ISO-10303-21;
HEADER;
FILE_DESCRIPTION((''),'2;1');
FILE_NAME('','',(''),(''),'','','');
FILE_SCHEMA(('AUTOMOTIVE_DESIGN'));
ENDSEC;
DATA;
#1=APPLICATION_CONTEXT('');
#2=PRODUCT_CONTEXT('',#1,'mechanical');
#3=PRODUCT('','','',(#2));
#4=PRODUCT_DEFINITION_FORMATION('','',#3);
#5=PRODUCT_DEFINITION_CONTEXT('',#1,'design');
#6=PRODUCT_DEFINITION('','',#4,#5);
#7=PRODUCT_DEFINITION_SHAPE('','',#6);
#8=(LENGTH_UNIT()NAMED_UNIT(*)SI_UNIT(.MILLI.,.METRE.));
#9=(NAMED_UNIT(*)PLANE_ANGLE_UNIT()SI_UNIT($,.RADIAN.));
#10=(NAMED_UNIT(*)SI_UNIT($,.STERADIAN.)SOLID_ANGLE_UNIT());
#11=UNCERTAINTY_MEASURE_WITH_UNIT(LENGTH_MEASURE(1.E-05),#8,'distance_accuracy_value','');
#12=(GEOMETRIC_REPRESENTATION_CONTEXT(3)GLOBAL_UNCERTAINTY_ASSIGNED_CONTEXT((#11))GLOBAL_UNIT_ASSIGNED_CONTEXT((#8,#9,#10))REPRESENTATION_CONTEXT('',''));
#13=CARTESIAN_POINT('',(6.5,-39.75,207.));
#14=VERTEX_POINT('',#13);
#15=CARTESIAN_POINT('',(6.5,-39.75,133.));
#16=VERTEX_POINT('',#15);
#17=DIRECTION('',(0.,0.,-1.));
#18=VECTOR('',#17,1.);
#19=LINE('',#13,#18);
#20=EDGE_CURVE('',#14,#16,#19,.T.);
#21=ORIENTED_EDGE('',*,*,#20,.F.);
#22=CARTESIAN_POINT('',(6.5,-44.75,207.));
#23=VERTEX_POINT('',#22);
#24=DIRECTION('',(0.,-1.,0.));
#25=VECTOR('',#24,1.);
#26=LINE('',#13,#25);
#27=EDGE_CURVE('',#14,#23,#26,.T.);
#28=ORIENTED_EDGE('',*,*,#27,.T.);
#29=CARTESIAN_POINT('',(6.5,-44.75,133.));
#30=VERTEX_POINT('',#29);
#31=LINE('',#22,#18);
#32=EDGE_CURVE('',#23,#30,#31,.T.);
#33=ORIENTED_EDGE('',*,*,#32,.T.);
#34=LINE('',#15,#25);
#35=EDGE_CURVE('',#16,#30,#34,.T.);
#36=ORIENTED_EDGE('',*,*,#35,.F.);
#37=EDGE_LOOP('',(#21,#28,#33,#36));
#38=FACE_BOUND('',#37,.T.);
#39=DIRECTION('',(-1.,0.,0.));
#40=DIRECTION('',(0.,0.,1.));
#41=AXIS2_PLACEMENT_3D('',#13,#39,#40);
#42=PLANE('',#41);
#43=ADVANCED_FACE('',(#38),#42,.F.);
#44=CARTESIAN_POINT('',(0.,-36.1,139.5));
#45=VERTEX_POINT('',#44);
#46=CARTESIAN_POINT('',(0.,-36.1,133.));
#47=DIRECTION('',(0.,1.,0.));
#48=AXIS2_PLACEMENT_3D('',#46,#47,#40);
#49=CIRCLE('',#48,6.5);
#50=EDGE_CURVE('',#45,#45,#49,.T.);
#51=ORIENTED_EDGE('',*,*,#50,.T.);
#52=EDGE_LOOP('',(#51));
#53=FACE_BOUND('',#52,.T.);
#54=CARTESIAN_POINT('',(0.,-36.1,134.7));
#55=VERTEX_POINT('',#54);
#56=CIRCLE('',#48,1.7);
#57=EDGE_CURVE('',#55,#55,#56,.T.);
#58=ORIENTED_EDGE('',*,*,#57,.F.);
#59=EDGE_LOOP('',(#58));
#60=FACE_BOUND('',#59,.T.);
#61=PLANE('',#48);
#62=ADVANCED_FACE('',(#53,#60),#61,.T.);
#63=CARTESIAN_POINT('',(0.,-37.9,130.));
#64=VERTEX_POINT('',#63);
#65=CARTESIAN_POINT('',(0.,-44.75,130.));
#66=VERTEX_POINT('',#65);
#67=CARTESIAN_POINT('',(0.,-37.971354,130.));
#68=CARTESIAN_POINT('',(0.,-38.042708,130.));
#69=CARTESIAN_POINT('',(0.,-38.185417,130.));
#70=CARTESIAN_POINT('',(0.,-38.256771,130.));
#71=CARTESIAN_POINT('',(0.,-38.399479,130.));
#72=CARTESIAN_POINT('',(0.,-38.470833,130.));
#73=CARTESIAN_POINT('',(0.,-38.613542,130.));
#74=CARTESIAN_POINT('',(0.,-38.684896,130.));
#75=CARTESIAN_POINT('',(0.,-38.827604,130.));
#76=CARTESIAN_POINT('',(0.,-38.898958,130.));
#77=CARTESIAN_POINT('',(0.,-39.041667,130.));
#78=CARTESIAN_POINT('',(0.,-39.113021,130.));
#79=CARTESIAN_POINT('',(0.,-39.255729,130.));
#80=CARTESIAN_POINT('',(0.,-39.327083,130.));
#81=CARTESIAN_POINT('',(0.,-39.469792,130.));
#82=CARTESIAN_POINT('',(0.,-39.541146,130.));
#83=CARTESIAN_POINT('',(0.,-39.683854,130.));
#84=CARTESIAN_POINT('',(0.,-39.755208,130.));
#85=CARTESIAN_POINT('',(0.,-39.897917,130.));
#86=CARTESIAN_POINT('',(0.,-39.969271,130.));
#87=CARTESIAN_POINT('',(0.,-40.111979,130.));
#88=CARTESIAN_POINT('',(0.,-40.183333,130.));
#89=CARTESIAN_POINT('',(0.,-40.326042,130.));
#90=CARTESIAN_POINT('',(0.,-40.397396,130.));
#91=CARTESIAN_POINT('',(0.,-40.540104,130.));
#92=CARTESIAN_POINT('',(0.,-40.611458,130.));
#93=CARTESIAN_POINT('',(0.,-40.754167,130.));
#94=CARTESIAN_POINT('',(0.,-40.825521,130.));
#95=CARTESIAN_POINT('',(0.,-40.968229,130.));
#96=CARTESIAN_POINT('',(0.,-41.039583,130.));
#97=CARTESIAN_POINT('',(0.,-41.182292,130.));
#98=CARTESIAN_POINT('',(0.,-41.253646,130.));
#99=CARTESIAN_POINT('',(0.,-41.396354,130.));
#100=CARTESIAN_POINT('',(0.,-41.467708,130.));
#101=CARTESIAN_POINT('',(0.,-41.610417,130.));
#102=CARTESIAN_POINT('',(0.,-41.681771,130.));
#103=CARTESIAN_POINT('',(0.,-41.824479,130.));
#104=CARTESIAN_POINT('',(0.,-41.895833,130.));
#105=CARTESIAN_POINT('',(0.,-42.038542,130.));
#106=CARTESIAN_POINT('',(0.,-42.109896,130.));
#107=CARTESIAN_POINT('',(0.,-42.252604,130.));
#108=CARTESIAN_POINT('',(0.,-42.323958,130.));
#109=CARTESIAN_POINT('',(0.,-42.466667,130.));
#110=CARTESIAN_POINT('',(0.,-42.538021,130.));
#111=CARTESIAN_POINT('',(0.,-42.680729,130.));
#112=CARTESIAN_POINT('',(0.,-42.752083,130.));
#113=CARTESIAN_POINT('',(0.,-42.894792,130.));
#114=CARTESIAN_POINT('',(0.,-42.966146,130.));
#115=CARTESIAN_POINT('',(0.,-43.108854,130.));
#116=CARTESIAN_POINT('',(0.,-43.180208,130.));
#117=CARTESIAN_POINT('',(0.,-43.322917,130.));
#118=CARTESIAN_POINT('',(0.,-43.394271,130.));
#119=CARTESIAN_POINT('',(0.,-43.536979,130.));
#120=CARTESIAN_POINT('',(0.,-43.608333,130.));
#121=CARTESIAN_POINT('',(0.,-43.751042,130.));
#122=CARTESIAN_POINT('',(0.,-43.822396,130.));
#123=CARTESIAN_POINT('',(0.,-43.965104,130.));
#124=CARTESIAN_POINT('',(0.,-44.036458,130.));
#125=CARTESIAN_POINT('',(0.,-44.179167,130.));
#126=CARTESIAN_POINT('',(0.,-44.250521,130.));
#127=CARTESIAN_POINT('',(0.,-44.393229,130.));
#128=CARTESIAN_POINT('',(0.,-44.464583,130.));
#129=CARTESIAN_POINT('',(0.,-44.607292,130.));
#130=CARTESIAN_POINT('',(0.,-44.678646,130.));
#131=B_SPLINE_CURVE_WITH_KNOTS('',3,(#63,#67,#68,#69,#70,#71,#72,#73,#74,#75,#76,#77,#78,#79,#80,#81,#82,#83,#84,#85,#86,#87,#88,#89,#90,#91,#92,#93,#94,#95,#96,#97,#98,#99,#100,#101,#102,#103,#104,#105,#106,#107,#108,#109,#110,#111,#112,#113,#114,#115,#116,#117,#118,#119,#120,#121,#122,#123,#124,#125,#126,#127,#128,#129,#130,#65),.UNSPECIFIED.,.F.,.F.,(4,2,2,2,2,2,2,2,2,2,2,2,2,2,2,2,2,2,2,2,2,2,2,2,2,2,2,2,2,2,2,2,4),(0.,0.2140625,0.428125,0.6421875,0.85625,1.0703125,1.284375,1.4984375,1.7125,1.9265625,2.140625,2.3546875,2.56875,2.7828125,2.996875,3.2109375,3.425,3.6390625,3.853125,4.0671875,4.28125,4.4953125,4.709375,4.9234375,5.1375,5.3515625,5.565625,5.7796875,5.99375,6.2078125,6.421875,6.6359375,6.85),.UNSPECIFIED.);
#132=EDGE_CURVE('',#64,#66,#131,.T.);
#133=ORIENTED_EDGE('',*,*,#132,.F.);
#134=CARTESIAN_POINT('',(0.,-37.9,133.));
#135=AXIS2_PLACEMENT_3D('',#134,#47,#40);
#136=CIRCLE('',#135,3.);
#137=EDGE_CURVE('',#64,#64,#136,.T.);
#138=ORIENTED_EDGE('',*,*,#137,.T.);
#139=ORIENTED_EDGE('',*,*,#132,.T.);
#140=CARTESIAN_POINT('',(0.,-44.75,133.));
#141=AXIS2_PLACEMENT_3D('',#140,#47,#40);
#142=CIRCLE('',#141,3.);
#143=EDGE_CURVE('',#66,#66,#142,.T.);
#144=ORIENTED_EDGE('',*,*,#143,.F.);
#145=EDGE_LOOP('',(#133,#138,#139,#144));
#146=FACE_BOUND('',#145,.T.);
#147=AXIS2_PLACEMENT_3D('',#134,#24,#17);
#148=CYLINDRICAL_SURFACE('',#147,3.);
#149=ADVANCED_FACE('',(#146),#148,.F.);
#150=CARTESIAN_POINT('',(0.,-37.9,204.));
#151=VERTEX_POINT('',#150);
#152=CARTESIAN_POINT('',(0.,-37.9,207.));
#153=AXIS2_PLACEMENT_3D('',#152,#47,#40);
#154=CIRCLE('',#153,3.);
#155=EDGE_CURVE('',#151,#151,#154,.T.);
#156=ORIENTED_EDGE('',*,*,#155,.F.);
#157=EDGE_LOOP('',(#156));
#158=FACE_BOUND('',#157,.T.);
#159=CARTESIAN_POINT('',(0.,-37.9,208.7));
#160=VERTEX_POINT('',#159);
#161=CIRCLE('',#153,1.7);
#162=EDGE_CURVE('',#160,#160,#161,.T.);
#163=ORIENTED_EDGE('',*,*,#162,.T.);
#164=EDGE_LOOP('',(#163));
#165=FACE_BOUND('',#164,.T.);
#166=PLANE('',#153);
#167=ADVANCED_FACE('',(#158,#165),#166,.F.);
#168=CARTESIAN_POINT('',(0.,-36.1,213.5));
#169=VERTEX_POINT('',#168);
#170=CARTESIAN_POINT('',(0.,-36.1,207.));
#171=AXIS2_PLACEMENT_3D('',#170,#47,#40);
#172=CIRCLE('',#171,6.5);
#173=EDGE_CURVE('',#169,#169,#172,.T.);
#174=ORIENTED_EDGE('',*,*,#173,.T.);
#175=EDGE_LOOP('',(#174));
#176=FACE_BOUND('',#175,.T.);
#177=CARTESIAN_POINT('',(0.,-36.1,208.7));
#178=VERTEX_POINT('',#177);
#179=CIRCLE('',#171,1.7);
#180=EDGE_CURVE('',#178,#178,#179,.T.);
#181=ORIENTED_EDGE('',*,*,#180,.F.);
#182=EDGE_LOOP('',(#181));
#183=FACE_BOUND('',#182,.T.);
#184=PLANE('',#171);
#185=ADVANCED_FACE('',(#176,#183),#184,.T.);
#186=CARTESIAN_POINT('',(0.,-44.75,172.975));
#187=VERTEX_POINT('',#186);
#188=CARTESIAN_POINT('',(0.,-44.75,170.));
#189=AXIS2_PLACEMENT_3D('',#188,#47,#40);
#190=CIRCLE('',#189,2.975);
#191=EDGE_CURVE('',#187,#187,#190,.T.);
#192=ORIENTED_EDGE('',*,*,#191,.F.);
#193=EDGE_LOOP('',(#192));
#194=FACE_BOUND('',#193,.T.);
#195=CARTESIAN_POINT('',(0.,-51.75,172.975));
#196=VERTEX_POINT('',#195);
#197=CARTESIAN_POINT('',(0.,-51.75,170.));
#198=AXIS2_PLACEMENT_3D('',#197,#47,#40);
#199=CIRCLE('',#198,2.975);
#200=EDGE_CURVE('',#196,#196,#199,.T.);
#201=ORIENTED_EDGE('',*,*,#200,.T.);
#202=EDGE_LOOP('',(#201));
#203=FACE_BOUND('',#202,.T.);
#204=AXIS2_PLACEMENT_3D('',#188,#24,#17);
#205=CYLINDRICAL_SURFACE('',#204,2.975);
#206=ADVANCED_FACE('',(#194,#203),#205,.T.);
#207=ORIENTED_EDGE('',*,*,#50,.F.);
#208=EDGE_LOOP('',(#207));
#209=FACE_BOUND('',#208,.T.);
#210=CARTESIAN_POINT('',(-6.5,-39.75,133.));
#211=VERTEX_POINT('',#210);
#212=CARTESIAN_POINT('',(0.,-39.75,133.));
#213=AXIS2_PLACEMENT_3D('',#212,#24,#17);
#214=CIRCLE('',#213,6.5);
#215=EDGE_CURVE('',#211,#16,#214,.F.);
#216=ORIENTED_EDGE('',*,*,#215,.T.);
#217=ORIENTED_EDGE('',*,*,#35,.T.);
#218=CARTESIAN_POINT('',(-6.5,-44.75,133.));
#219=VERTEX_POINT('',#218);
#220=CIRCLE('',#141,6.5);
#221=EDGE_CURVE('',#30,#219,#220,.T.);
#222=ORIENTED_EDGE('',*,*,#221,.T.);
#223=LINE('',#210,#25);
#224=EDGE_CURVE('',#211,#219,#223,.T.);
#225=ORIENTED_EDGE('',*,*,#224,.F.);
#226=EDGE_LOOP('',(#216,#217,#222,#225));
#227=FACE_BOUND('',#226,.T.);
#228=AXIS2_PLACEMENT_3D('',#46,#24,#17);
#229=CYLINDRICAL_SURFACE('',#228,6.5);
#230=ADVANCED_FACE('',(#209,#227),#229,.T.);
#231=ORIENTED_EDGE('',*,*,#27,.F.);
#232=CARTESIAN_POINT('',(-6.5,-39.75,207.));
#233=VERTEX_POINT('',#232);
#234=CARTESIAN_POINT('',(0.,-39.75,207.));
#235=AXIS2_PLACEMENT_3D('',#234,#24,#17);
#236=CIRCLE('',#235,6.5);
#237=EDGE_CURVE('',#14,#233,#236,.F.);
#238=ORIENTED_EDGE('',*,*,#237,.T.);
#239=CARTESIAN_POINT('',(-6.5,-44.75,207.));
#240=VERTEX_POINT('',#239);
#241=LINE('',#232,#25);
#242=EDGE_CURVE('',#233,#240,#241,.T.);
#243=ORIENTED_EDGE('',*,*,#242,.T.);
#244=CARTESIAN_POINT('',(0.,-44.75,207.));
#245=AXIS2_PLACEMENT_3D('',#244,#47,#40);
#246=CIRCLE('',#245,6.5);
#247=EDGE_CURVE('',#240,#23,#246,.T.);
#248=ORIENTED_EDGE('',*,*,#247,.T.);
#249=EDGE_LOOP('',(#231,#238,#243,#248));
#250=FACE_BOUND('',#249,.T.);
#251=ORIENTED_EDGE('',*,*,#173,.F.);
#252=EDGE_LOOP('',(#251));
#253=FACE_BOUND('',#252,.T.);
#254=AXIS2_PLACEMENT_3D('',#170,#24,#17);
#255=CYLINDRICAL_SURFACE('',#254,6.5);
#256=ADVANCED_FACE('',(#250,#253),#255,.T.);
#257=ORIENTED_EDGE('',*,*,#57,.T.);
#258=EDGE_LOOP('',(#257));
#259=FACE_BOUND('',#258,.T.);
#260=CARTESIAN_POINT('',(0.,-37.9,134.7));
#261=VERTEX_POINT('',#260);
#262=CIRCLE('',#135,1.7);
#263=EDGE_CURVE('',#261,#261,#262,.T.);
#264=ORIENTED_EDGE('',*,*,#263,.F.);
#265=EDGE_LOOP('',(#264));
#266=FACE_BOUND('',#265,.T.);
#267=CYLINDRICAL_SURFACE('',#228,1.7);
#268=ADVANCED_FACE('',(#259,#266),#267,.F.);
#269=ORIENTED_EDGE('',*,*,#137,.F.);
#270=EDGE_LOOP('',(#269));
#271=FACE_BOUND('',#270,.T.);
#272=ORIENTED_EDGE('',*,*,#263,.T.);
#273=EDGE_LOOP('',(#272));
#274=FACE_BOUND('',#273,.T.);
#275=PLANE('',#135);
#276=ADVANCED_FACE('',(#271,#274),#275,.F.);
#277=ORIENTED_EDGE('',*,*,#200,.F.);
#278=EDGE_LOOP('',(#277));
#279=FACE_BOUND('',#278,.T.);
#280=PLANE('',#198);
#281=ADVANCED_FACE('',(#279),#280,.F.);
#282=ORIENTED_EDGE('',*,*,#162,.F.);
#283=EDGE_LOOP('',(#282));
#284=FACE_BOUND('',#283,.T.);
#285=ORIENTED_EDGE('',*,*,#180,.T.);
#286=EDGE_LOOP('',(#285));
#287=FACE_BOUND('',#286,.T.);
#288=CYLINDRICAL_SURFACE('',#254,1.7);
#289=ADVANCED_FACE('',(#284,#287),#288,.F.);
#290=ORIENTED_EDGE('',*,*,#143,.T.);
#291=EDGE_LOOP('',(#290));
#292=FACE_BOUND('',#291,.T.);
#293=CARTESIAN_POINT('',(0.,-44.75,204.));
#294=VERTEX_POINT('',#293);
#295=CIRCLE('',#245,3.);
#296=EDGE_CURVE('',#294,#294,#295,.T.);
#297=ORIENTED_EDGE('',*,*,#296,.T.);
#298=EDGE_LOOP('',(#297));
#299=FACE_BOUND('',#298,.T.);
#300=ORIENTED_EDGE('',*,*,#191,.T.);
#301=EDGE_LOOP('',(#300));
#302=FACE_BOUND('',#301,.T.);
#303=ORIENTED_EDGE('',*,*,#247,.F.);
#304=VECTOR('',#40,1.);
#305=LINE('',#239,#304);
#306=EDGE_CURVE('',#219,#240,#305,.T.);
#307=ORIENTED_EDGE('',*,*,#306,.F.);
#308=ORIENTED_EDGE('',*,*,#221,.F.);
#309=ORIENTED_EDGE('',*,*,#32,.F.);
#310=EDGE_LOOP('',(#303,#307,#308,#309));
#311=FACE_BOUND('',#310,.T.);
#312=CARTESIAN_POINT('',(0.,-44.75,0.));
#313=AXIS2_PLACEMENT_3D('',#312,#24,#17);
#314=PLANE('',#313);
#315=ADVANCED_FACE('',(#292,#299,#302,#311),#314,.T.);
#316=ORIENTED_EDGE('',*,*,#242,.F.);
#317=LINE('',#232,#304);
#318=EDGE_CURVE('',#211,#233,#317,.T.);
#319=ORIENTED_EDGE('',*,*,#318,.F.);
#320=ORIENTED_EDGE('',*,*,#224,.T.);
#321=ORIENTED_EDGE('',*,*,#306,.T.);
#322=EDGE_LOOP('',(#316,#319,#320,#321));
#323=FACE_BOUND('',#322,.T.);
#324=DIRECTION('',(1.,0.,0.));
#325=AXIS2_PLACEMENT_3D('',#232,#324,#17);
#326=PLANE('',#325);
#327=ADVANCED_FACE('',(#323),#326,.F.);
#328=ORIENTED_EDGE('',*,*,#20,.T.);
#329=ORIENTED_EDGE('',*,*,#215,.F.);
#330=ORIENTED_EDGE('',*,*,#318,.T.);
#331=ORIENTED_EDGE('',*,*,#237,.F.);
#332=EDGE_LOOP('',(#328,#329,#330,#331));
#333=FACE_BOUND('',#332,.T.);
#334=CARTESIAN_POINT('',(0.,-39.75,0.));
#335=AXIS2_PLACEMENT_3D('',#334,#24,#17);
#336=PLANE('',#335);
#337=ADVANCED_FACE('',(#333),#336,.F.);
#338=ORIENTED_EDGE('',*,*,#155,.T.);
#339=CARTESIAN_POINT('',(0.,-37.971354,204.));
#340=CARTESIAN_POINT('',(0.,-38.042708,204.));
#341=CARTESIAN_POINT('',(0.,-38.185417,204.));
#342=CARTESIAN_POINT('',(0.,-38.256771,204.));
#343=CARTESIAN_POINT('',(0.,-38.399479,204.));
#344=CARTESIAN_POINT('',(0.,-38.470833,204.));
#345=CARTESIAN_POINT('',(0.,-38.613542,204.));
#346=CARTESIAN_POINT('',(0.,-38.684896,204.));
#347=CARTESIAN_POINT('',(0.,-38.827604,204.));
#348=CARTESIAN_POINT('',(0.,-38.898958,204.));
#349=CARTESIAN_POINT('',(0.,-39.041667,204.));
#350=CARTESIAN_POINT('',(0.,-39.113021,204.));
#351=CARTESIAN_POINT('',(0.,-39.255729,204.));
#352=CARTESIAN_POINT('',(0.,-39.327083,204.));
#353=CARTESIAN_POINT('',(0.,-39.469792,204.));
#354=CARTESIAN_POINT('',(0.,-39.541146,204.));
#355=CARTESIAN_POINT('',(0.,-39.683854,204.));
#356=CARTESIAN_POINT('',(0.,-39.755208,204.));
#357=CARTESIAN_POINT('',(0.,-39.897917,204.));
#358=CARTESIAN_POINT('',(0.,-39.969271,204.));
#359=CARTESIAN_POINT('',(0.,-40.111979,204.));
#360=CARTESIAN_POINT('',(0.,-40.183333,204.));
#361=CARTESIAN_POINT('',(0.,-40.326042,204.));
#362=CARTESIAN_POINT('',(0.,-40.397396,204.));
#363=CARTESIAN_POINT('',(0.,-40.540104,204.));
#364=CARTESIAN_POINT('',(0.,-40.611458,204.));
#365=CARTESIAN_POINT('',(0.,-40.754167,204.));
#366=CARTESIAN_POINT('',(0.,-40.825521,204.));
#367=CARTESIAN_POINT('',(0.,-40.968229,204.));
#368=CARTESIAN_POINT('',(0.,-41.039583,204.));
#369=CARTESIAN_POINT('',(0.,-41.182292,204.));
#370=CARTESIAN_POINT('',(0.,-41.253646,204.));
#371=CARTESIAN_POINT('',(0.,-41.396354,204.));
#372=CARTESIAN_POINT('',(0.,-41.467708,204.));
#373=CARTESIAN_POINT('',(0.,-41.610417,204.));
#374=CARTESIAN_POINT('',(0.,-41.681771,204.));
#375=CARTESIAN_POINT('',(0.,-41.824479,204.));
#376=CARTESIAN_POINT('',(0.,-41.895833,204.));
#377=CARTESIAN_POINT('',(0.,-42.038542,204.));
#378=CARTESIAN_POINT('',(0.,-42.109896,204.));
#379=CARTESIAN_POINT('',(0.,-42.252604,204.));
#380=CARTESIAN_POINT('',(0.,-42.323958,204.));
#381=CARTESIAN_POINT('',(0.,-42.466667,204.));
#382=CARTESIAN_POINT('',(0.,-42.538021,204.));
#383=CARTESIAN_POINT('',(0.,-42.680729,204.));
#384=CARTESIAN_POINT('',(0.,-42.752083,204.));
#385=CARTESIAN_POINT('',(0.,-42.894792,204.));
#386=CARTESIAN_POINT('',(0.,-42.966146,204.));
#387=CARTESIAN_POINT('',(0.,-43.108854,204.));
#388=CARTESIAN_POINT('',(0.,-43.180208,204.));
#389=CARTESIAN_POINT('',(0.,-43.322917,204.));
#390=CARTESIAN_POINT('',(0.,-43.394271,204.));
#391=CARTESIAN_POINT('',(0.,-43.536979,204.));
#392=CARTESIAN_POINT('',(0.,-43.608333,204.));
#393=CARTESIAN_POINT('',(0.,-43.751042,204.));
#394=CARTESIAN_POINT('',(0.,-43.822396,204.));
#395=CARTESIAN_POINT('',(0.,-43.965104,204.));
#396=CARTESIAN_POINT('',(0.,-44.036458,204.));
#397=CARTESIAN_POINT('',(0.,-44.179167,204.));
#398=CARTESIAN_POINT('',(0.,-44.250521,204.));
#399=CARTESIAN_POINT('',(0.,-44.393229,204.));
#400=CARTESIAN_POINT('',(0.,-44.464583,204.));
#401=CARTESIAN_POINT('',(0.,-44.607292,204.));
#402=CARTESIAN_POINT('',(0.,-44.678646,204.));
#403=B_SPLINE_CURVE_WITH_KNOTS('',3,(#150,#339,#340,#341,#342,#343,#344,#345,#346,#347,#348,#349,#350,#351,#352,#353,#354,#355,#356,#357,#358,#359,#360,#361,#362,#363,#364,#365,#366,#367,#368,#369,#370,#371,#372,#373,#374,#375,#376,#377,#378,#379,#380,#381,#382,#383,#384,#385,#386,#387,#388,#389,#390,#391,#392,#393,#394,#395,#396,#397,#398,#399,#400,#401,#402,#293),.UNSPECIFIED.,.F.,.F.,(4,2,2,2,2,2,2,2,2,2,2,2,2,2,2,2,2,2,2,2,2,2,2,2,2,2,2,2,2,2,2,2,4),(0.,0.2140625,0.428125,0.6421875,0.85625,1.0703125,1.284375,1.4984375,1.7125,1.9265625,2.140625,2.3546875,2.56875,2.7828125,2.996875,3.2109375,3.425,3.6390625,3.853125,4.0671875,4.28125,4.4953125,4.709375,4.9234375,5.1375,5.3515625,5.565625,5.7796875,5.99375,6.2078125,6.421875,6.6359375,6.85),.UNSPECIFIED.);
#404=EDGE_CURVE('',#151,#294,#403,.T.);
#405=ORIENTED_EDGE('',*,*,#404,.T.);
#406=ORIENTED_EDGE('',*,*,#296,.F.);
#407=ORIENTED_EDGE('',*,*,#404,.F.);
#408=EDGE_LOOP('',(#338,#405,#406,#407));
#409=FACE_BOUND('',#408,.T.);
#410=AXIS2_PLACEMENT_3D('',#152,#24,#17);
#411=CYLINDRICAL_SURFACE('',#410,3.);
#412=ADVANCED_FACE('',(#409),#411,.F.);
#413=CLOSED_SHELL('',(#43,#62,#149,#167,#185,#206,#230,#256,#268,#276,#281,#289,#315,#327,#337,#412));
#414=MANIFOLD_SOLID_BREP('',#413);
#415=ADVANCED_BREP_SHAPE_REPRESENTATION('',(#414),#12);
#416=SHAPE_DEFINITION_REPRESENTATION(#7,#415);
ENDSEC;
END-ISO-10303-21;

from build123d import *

# Parameters (mm, degrees)
BARRA_START       = -44.75
SK_BARRA_W        = 13
SK_BARRA_H        = 74
BARRA_DEPTH       = 5
EXTREMOS_START    = -44.75
SK_EXTREMOS_R     = 6.5
EXTREMOS_DEPTH    = 8.65
PERNO_696_START   = -51.75
SK_PERNO_696_R    = 2.975
PERNO_696_DEPTH   = 7
PASANTES_M3_START = -44.75
SK_PASANTES_M3_R  = 1.7
PASANTES_M3_DEPTH = 8.65
CAJAS_M3_START    = -44.75
SK_CAJAS_M3_R     = 3
CAJAS_M3_DEPTH    = 6.85


with BuildPart() as part:
    # Sk_Barra → Barra (new body)
    with BuildSketch(Plane(origin=(0, 0, 0), x_dir=(1, 0, 0), z_dir=(0, 1, 0)).offset(BARRA_START)):
        with Locations((0, -170)):
            Rectangle(SK_BARRA_W, SK_BARRA_H)
    extrude(amount=BARRA_DEPTH)

    # Sk_Extremos → Extremos (add)
    with BuildSketch(Plane(origin=(0, 0, 0), x_dir=(1, 0, 0), z_dir=(0, 1, 0)).offset(EXTREMOS_START)):
        with Locations((0, -133)):
            Circle(SK_EXTREMOS_R)
        with Locations((0, -207)):
            Circle(SK_EXTREMOS_R)
    extrude(amount=EXTREMOS_DEPTH)

    # Sk_Perno_696 → Perno_696 (add)
    with BuildSketch(Plane(origin=(0, 0, 0), x_dir=(1, 0, 0), z_dir=(0, 1, 0)).offset(PERNO_696_START)):
        with Locations(Location((0, -170, 0), (0, 0, 270))):
            Circle(SK_PERNO_696_R)
    extrude(amount=PERNO_696_DEPTH)

    # Sk_Pasantes_M3 → Pasantes_M3 (cut)
    with BuildSketch(Plane(origin=(0, 0, 0), x_dir=(1, 0, 0), z_dir=(0, 1, 0)).offset(PASANTES_M3_START)):
        with Locations(Location((0, -133, 0), (0, 0, 270))):
            Circle(SK_PASANTES_M3_R)
        with Locations(Location((0, -207, 0), (0, 0, 270))):
            Circle(SK_PASANTES_M3_R)
    extrude(amount=PASANTES_M3_DEPTH, mode=Mode.SUBTRACT)

    # Sk_Cajas_M3 → Cajas_M3 (cut)
    with BuildSketch(Plane(origin=(0, 0, 0), x_dir=(1, 0, 0), z_dir=(0, 1, 0)).offset(CAJAS_M3_START)):
        with Locations(Location((0, -133, 0), (0, 0, 90))):
            Circle(SK_CAJAS_M3_R)
        with Locations(Location((0, -207, 0), (0, 0, 90))):
            Circle(SK_CAJAS_M3_R)
    extrude(amount=CAJAS_M3_DEPTH, mode=Mode.SUBTRACT)


solid = part.part
